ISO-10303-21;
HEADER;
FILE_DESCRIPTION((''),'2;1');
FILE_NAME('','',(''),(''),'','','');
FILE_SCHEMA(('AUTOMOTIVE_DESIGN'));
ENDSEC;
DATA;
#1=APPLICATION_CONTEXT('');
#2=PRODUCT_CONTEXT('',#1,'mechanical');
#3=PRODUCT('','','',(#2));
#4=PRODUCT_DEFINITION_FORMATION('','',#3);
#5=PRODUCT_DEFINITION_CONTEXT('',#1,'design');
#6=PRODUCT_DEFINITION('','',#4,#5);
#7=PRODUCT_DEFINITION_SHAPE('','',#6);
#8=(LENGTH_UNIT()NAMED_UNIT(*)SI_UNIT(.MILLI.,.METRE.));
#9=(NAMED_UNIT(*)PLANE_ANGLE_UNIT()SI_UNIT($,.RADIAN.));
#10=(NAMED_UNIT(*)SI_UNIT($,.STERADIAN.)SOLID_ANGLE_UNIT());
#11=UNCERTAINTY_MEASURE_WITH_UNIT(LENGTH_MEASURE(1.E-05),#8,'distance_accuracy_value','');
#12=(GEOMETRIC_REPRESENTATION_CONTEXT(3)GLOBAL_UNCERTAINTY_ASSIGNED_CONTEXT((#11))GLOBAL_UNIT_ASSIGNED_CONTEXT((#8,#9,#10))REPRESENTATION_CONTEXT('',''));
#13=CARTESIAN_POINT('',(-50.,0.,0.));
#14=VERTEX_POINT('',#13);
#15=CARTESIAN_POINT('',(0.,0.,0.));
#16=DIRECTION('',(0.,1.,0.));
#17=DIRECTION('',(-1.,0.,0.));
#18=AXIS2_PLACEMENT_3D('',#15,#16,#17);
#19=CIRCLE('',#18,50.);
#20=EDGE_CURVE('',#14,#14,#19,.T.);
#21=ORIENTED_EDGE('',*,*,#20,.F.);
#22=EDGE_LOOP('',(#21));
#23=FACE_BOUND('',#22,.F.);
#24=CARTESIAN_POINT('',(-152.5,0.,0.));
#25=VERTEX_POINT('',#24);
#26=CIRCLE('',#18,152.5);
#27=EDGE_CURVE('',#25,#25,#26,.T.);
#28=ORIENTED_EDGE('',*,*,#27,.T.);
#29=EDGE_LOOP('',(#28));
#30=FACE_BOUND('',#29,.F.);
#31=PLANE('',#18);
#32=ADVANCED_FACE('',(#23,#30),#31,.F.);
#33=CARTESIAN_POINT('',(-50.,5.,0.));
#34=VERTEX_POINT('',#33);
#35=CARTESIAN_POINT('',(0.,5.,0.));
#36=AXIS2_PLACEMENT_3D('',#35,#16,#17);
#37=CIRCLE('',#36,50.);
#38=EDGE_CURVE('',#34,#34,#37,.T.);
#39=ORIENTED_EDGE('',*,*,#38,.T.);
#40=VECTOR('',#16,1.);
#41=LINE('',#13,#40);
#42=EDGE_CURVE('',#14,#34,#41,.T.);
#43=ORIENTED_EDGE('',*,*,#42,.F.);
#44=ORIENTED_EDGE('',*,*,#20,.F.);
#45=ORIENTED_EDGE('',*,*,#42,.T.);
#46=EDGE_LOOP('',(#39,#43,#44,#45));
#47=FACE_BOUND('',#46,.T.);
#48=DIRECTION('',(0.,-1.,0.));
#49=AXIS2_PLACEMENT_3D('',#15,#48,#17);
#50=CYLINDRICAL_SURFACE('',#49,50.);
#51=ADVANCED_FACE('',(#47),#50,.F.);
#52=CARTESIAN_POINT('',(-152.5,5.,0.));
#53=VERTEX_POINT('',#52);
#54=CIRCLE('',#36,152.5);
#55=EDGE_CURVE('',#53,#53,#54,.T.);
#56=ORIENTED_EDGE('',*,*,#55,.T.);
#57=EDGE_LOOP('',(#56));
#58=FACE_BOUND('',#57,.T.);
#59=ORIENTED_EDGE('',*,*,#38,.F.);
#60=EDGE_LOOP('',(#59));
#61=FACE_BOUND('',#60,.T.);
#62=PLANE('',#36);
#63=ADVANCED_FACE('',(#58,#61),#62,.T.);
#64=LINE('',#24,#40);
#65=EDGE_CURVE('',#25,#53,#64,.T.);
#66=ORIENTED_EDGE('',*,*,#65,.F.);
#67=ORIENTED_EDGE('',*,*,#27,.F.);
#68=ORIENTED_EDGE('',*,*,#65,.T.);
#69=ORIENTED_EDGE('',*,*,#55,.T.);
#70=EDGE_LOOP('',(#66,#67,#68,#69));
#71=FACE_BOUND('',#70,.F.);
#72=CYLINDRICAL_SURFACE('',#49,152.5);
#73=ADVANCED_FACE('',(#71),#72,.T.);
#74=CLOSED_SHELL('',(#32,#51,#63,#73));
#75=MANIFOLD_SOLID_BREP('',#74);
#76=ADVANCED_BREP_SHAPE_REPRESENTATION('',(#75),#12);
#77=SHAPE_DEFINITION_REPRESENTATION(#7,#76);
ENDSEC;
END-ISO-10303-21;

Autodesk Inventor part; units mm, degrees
ref_plane "YZ Plane" through (0, 0, 0) normal (1, 0, 0) x (0, 1, 0)
ref_plane "XZ Plane" through (0, 0, 0) normal (0, 1, 0) x (-1, 0, 0)
ref_plane "XY Plane" through (0, 0, 0) normal (0, 0, 1) x (1, 0, 0)
sketch "Sketch1" plane through (0, 0, 0) normal (0, 1, 0) x (-1, 0, 0)
  point P0 (0, 0)
sketch "Sketch2" plane through (0, 0, 0) normal (0, 1, 0) x (-1, 0, 0)
  circle A0 centre (0, 0) radius 152.5
  circle A1 centre (0, 0) radius 50
  dimension "d0" = 305
  dimension "d1" = 100
extrude "Extrusion1" add sketch "Sketch2" along normal blind 5
properties part number "ArenaRoof"
